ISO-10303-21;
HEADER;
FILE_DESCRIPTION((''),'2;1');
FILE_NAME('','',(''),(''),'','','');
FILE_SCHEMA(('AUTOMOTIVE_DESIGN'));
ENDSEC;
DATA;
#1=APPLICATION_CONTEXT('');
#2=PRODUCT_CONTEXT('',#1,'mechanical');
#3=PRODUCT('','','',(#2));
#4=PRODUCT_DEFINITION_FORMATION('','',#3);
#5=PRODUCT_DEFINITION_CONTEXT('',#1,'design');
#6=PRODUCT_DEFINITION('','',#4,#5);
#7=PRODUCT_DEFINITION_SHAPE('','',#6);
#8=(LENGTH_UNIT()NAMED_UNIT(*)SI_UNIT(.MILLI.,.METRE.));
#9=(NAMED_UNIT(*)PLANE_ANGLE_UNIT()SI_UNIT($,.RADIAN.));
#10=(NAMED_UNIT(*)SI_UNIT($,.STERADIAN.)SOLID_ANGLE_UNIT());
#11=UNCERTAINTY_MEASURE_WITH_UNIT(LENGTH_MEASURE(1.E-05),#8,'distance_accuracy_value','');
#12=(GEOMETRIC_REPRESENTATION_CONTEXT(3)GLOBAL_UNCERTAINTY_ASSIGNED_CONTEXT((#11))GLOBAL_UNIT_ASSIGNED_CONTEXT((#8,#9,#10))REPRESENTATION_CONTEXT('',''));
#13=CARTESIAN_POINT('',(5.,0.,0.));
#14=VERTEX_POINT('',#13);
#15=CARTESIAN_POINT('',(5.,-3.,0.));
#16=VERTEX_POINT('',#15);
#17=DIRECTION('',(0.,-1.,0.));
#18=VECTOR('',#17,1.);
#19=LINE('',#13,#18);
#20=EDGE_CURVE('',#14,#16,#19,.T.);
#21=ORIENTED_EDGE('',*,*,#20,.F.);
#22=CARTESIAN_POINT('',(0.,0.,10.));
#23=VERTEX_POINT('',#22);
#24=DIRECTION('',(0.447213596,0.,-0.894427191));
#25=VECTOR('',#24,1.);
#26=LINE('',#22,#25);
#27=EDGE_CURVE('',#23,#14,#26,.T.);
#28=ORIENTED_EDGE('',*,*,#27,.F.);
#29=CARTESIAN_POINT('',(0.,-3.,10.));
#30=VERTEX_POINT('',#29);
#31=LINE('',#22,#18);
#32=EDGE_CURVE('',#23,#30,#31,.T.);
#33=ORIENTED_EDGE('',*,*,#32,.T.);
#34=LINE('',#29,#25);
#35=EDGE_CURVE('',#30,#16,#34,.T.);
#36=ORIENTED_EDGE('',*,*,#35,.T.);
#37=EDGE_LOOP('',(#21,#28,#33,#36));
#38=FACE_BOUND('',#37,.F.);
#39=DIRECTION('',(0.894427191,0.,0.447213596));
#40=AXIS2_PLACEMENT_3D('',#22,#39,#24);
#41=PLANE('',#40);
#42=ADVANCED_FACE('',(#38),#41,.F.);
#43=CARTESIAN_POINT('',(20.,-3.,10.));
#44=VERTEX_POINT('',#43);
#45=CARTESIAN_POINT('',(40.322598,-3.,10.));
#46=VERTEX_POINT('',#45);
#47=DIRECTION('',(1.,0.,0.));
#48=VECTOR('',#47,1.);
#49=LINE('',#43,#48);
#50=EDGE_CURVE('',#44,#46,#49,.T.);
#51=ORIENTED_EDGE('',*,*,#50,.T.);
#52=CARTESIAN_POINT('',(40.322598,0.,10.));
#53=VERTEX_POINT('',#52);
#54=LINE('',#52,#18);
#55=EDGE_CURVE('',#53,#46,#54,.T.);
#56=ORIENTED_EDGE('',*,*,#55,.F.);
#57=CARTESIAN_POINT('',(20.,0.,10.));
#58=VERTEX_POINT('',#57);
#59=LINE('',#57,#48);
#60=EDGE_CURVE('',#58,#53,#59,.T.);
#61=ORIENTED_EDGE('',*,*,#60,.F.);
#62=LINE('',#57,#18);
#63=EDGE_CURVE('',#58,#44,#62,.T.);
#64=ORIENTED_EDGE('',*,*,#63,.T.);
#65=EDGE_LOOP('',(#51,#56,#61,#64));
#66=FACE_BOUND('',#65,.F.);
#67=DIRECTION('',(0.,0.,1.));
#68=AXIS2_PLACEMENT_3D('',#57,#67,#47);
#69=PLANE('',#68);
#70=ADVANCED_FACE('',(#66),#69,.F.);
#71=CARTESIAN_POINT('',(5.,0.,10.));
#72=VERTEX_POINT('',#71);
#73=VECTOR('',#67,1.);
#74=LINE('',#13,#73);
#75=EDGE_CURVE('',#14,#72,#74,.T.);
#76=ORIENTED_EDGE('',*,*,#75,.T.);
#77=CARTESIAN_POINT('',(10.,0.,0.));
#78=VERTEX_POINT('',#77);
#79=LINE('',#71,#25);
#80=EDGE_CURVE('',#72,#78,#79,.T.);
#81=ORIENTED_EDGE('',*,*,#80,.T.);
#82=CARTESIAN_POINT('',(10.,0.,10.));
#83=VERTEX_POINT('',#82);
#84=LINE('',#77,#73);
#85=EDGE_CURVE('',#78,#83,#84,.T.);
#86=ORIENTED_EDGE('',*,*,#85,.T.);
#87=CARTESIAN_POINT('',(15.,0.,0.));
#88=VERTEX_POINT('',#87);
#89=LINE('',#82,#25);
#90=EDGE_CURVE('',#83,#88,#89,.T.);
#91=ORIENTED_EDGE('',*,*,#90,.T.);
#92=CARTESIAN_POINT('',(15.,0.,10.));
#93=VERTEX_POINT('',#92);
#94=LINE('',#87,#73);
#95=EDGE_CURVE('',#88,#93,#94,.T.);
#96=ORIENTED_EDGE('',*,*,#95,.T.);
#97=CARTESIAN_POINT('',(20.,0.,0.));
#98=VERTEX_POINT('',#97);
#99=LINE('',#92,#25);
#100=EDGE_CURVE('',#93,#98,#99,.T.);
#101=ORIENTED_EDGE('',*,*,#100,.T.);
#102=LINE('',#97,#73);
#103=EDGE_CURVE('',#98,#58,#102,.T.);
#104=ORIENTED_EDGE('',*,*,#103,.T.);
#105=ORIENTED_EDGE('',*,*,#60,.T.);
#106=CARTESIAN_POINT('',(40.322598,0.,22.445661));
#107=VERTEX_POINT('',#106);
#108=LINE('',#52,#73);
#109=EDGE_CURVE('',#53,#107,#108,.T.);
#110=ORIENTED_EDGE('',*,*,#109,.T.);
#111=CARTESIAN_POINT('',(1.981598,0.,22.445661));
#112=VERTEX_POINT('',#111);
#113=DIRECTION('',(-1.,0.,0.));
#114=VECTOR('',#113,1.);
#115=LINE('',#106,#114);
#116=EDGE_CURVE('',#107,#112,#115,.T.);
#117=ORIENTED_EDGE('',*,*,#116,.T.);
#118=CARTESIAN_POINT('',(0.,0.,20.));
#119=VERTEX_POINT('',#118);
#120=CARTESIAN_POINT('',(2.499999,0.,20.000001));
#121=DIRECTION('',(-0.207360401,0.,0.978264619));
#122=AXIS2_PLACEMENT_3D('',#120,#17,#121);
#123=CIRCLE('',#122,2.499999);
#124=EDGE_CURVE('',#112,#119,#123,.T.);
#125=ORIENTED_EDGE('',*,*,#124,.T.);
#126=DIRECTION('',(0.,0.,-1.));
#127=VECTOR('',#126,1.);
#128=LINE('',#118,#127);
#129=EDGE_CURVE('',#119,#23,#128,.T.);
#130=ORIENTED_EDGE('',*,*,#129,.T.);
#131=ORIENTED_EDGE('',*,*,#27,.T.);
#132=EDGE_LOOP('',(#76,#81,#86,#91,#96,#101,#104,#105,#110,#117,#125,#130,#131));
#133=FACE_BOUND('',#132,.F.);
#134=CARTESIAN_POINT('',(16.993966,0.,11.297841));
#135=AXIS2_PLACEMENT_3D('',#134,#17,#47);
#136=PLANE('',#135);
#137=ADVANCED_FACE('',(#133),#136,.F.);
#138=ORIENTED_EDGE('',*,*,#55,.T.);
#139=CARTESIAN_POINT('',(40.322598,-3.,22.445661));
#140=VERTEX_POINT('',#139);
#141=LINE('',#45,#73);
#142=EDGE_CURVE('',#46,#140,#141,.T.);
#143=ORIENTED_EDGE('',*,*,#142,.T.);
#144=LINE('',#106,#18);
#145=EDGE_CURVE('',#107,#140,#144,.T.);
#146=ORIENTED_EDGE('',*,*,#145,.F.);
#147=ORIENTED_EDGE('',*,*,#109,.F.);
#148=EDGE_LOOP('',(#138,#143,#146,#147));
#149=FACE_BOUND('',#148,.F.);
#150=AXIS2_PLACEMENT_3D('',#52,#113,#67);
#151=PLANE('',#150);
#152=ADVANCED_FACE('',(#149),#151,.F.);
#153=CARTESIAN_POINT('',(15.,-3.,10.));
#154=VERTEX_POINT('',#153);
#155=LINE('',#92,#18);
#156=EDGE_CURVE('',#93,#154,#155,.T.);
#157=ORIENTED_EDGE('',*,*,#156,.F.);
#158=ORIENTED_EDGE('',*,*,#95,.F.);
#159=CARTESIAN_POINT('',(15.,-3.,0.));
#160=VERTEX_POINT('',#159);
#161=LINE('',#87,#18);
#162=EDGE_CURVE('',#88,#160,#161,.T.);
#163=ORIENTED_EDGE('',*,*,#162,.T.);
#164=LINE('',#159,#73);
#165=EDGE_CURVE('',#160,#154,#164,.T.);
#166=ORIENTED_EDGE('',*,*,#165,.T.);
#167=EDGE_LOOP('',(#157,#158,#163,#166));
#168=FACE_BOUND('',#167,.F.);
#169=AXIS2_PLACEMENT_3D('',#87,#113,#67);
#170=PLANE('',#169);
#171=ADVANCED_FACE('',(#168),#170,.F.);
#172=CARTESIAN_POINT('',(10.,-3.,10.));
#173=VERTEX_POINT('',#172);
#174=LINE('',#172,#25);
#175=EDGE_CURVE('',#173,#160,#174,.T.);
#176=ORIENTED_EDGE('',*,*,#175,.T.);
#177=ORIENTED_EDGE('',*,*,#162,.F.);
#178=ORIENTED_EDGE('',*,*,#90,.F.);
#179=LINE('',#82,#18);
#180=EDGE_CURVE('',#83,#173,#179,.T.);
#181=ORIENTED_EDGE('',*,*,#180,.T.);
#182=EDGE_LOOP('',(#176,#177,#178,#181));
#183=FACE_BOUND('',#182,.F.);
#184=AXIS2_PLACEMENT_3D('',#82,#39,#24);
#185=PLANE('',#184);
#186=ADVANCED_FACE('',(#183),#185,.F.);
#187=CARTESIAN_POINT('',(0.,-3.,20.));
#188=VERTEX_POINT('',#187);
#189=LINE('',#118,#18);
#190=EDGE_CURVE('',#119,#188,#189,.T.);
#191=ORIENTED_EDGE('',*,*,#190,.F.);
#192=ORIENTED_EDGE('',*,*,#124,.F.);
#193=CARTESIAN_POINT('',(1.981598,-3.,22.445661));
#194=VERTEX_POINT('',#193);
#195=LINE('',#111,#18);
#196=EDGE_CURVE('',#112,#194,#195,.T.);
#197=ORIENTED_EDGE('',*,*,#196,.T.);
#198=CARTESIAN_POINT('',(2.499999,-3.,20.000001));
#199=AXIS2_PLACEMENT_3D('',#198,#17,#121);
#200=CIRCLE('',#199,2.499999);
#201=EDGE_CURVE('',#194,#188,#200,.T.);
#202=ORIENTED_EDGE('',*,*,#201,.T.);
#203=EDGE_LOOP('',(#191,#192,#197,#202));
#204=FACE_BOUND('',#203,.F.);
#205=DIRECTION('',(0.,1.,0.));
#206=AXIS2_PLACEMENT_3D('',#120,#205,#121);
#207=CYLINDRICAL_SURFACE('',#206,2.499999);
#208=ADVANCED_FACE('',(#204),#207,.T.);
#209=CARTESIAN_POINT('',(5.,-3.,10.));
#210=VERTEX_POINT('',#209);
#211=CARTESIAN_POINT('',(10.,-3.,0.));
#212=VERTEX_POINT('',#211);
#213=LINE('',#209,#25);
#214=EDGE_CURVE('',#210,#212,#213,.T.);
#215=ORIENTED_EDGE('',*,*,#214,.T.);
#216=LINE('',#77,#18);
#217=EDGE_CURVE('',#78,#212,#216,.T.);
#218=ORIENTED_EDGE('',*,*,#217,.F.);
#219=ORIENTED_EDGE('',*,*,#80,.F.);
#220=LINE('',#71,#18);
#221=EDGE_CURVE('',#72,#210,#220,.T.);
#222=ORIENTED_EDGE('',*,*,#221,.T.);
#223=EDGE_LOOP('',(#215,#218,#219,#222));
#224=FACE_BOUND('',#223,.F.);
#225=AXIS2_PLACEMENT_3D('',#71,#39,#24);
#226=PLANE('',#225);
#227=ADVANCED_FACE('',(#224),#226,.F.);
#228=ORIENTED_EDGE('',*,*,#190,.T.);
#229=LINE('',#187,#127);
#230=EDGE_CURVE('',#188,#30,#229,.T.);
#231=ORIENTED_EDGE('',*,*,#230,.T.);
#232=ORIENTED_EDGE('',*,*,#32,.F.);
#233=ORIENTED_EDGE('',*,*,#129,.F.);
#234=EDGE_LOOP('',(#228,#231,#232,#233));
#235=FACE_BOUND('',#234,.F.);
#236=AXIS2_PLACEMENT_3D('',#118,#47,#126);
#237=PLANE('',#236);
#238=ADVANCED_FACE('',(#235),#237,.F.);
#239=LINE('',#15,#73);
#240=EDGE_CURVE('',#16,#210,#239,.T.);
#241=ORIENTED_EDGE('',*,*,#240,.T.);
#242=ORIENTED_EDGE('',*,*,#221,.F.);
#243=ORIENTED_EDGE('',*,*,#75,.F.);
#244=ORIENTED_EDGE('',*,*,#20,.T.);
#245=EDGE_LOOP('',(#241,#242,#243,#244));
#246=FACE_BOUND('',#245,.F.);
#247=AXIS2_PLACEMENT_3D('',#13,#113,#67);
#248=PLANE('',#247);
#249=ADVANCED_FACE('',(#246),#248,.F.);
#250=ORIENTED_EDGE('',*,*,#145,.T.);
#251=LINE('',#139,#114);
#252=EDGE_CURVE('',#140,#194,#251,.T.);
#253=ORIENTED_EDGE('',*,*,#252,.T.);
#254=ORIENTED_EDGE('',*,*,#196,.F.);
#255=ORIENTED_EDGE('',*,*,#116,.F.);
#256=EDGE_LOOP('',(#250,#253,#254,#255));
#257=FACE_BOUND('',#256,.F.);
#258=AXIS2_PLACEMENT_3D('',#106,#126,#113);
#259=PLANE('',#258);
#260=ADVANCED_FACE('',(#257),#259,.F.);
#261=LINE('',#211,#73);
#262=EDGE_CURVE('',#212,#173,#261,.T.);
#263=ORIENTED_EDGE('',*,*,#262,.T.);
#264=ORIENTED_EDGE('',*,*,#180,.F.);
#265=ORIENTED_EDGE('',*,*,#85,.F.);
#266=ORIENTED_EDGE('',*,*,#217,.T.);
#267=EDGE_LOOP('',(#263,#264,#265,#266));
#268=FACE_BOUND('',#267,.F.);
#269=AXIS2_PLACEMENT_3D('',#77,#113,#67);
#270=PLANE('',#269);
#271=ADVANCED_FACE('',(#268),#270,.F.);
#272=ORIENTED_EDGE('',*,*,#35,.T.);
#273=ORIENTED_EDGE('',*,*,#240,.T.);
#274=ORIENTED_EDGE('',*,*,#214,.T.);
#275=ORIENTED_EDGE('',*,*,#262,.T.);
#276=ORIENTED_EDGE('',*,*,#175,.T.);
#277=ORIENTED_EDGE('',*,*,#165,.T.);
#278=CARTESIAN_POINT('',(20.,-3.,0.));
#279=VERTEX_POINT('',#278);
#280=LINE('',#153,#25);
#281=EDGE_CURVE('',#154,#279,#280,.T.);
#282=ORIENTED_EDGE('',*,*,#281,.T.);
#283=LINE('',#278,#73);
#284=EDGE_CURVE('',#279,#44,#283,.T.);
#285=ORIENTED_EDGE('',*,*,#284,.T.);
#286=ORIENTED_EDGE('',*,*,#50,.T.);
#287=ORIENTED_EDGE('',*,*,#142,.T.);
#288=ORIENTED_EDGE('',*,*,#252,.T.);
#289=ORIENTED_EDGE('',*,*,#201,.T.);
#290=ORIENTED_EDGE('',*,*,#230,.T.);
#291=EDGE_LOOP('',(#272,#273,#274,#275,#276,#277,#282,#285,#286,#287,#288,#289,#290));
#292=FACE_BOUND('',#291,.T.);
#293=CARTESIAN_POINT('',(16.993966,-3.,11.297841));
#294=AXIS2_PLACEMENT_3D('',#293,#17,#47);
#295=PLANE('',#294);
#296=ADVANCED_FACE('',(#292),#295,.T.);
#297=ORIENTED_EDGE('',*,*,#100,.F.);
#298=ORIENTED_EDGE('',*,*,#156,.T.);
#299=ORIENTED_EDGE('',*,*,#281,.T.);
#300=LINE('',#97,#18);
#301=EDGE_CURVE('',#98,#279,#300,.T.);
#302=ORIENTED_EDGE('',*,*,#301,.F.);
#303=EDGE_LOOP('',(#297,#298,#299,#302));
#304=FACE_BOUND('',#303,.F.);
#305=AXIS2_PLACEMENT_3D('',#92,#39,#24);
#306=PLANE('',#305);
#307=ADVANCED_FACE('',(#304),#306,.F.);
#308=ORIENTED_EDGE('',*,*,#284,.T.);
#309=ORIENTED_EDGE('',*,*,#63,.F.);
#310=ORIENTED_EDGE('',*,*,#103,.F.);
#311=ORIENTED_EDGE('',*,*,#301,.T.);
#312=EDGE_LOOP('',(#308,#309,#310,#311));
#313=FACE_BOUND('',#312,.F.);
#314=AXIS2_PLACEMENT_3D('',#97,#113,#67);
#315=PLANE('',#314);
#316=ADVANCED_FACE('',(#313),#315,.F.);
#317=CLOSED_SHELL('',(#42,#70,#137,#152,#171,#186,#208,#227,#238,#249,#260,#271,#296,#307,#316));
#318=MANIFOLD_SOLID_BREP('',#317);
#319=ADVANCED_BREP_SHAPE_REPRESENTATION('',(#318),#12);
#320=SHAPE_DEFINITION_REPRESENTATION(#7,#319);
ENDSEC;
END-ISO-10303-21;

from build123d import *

# Parameters (mm, degrees)
F1_DEPTH = 3


with BuildPart() as f1:
    # F0 (on Front) → F1 (new body)
    with BuildSketch(Plane.XZ):
        with BuildLine():
            Line((15, 10), (20, 0))
            Line((20, 0), (20, 10))
            Line((20, 10), (40.322598, 10))
            Line((40.322598, 10), (40.322598, 22.445661))
            Line((40.322598, 22.445661), (20, 22.445661))
            Line((20, 22.445661), (1.981598, 22.445661))
            ThreePointArc((1.981598, 22.445661), (0.557578, 21.573848), (0, 20))
            Line((0, 20), (0, 10))
            Line((0, 10), (5, 0))
            Line((5, 0), (5, 10))
            Line((5, 10), (10, 0))
            Line((10, 0), (10, 10))
            Line((10, 10), (15, 0))
            Line((15, 0), (15, 10))
        make_face()
    extrude(amount=F1_DEPTH)


solid = f1.part
